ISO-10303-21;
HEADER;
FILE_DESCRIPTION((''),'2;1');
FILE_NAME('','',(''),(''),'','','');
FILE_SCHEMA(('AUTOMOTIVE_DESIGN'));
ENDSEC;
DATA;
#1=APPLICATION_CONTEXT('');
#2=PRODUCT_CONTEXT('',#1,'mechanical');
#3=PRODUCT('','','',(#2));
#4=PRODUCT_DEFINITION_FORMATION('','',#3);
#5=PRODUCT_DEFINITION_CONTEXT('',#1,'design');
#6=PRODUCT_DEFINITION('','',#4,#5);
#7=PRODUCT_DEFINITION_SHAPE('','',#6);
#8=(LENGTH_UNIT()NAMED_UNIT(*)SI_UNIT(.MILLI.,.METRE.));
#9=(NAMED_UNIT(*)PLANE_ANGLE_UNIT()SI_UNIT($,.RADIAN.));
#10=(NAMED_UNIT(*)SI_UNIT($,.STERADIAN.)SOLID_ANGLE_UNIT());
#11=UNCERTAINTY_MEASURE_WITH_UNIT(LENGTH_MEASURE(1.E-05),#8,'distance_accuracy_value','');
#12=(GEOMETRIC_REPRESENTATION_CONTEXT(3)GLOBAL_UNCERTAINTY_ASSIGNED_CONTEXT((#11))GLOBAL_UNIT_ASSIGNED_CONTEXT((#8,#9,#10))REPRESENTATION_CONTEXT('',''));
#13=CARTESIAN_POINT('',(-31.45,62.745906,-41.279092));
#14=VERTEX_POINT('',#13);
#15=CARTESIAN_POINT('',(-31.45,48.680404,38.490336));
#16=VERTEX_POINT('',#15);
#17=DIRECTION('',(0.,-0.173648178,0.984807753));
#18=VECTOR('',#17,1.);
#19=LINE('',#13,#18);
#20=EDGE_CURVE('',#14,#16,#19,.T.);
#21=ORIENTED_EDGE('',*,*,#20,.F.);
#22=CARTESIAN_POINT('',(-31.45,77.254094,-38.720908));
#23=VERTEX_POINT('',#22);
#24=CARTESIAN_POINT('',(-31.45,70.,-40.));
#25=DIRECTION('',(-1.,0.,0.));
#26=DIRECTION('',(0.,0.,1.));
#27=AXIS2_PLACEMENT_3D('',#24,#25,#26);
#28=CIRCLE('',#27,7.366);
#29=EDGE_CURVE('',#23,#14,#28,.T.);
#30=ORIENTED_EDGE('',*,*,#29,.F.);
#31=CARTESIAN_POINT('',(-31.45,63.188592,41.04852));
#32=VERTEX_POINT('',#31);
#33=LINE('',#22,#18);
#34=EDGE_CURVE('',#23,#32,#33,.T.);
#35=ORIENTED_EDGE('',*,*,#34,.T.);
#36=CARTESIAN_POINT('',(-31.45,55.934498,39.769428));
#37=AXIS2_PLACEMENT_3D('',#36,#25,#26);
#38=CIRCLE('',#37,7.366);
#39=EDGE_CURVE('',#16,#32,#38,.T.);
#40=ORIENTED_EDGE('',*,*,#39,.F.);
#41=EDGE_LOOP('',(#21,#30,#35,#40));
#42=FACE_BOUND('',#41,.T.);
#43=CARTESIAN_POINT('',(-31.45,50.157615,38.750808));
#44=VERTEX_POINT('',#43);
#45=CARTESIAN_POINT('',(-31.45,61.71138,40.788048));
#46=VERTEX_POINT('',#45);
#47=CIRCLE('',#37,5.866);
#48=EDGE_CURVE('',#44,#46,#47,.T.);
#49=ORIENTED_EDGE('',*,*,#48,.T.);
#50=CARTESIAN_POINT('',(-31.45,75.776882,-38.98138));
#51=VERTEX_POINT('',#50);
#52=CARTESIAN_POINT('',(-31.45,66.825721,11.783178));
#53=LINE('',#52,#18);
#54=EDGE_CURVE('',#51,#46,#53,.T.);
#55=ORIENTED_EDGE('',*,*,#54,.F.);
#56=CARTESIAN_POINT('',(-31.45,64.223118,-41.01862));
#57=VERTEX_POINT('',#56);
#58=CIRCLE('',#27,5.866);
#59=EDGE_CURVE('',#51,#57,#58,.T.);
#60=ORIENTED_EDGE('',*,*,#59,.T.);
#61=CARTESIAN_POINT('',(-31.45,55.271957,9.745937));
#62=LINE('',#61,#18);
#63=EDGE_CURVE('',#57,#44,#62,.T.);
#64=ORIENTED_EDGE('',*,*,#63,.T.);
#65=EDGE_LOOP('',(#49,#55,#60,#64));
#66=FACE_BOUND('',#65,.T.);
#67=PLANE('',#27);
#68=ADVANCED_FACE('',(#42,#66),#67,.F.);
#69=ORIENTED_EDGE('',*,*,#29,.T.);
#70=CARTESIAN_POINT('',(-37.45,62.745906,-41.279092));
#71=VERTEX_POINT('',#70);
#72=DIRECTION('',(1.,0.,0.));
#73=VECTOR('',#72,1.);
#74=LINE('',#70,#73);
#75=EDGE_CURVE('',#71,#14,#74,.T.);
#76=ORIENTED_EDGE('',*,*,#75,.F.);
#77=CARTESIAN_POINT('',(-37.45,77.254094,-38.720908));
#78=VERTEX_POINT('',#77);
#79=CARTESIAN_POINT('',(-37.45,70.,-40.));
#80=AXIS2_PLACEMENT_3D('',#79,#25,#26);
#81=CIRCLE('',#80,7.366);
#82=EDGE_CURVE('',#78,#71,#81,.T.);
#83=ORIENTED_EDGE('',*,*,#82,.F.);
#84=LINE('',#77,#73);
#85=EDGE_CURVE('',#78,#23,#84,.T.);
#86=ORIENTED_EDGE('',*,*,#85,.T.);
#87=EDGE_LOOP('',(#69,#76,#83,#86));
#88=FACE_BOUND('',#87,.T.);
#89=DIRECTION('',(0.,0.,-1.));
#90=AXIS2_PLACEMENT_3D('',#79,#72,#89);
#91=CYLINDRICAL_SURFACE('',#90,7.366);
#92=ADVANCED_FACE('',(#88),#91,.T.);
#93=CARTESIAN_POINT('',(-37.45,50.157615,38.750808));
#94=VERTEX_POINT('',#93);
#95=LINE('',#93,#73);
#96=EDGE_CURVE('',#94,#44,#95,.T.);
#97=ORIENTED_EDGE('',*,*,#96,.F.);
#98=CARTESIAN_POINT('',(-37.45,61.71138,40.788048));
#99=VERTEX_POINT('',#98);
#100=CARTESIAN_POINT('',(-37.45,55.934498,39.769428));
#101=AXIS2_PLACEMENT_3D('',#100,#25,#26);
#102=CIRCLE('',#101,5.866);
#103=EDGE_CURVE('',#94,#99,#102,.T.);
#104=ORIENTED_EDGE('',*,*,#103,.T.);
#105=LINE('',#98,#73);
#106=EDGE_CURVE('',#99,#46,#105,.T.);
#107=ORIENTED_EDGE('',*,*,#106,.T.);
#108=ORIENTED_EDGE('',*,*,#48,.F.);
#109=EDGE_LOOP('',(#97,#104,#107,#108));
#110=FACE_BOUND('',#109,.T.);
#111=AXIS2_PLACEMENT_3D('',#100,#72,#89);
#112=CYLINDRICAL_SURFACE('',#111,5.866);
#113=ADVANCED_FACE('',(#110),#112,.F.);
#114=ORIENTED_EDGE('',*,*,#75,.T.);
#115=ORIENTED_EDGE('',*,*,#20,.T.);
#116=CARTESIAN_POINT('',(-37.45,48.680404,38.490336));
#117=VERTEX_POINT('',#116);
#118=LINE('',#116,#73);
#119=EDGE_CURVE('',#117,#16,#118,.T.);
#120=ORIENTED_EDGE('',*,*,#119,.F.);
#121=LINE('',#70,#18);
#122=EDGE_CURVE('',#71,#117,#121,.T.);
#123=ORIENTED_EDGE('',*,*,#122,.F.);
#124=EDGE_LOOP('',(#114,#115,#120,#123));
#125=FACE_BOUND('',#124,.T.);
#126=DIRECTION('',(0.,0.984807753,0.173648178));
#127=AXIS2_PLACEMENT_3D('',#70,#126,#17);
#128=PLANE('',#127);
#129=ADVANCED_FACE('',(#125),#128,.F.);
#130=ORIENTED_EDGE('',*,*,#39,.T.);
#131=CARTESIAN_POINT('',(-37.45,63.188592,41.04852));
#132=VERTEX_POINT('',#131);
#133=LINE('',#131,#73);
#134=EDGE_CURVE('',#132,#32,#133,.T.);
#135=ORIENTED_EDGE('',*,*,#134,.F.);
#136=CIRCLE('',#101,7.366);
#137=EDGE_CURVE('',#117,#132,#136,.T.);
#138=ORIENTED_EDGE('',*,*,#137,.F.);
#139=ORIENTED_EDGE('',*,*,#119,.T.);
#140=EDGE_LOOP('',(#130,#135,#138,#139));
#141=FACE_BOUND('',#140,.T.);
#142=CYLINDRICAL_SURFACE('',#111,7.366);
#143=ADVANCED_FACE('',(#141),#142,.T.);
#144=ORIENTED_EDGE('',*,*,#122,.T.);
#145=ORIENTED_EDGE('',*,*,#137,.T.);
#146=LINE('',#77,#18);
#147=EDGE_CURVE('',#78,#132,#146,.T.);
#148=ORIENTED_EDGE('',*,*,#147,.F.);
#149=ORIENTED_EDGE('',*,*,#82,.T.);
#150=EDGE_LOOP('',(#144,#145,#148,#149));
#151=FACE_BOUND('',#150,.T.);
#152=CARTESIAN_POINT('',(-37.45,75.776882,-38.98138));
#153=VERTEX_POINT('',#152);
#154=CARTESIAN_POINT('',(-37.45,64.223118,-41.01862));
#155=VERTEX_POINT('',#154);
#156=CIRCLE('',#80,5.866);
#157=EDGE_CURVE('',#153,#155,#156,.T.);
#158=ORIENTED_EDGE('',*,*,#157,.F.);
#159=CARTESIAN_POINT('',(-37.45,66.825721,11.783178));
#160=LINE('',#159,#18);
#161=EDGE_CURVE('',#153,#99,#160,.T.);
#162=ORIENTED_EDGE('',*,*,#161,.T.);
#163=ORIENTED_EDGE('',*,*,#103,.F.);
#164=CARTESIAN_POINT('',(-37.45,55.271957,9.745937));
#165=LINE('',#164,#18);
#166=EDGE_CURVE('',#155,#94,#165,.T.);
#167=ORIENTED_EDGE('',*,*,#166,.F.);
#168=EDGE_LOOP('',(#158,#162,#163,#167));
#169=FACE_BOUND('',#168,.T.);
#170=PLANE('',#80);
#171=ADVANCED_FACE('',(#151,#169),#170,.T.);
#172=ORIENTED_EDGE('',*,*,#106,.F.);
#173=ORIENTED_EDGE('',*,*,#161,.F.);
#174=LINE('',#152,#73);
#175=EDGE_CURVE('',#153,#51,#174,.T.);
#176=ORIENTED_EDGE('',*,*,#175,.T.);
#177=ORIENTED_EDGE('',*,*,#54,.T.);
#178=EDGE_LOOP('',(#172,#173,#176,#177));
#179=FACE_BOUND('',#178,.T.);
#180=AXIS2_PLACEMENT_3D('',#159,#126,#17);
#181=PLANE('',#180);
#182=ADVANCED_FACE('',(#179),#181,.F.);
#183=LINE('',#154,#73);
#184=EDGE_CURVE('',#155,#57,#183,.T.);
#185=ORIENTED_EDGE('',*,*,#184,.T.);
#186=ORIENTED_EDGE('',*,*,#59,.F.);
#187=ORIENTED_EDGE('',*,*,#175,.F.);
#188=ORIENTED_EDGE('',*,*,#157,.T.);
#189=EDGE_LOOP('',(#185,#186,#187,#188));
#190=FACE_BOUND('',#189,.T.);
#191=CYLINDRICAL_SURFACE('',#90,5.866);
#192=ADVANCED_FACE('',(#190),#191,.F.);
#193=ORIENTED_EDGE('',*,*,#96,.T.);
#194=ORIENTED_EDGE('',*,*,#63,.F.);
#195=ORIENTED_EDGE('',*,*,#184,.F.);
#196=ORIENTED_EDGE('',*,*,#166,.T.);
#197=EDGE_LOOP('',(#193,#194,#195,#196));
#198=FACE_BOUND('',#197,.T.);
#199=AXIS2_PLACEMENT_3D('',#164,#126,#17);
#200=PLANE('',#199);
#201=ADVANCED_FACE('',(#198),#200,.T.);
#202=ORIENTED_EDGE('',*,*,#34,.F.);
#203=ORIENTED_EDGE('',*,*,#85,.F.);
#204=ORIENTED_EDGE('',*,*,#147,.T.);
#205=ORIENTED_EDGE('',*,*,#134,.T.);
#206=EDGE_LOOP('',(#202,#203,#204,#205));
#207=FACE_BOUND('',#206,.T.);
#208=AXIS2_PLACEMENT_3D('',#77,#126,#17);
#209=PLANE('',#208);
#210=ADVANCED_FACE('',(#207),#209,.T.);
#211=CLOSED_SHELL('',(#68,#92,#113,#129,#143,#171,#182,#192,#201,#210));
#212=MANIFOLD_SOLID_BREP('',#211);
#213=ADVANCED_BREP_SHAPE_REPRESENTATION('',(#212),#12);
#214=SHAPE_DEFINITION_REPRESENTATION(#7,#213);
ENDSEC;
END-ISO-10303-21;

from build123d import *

# Parameters (mm, degrees)
BOSS_EXTRUDE1_DEPTH = 3


with BuildPart() as part:
    # Sketch2 → Boss-Extrude1 (new body, symmetric)
    with BuildSketch(Plane.ZY.offset(34.45)):
        with BuildLine():
            Line((-38.720907523, 77.254093909), (41.048520471, 63.188591518))
            ThreePointArc((41.048520471, 63.188591518), (47.023521903, 54.655405132), (38.490335517, 48.6804037))
            Line((38.490335517, 48.6804037), (-41.279092477, 62.745906091))
            ThreePointArc((-41.279092477, 62.745906091), (-47.254093909, 71.279092477), (-38.720907523, 77.254093909))
        make_face()
        with BuildLine():
            Line((-38.98137979, 75.776882279), (40.788048204, 61.711379888))
            ThreePointArc((40.788048204, 61.711379888), (45.546310273, 54.915877399), (38.750807784, 50.15761533))
            Line((38.750807784, 50.15761533), (-41.01862021, 64.223117721))
            ThreePointArc((-41.01862021, 64.223117721), (-45.776882279, 71.01862021), (-38.98137979, 75.776882279))
        make_face(mode=Mode.SUBTRACT)
    extrude(amount=BOSS_EXTRUDE1_DEPTH, both=True)


solid = part.part
